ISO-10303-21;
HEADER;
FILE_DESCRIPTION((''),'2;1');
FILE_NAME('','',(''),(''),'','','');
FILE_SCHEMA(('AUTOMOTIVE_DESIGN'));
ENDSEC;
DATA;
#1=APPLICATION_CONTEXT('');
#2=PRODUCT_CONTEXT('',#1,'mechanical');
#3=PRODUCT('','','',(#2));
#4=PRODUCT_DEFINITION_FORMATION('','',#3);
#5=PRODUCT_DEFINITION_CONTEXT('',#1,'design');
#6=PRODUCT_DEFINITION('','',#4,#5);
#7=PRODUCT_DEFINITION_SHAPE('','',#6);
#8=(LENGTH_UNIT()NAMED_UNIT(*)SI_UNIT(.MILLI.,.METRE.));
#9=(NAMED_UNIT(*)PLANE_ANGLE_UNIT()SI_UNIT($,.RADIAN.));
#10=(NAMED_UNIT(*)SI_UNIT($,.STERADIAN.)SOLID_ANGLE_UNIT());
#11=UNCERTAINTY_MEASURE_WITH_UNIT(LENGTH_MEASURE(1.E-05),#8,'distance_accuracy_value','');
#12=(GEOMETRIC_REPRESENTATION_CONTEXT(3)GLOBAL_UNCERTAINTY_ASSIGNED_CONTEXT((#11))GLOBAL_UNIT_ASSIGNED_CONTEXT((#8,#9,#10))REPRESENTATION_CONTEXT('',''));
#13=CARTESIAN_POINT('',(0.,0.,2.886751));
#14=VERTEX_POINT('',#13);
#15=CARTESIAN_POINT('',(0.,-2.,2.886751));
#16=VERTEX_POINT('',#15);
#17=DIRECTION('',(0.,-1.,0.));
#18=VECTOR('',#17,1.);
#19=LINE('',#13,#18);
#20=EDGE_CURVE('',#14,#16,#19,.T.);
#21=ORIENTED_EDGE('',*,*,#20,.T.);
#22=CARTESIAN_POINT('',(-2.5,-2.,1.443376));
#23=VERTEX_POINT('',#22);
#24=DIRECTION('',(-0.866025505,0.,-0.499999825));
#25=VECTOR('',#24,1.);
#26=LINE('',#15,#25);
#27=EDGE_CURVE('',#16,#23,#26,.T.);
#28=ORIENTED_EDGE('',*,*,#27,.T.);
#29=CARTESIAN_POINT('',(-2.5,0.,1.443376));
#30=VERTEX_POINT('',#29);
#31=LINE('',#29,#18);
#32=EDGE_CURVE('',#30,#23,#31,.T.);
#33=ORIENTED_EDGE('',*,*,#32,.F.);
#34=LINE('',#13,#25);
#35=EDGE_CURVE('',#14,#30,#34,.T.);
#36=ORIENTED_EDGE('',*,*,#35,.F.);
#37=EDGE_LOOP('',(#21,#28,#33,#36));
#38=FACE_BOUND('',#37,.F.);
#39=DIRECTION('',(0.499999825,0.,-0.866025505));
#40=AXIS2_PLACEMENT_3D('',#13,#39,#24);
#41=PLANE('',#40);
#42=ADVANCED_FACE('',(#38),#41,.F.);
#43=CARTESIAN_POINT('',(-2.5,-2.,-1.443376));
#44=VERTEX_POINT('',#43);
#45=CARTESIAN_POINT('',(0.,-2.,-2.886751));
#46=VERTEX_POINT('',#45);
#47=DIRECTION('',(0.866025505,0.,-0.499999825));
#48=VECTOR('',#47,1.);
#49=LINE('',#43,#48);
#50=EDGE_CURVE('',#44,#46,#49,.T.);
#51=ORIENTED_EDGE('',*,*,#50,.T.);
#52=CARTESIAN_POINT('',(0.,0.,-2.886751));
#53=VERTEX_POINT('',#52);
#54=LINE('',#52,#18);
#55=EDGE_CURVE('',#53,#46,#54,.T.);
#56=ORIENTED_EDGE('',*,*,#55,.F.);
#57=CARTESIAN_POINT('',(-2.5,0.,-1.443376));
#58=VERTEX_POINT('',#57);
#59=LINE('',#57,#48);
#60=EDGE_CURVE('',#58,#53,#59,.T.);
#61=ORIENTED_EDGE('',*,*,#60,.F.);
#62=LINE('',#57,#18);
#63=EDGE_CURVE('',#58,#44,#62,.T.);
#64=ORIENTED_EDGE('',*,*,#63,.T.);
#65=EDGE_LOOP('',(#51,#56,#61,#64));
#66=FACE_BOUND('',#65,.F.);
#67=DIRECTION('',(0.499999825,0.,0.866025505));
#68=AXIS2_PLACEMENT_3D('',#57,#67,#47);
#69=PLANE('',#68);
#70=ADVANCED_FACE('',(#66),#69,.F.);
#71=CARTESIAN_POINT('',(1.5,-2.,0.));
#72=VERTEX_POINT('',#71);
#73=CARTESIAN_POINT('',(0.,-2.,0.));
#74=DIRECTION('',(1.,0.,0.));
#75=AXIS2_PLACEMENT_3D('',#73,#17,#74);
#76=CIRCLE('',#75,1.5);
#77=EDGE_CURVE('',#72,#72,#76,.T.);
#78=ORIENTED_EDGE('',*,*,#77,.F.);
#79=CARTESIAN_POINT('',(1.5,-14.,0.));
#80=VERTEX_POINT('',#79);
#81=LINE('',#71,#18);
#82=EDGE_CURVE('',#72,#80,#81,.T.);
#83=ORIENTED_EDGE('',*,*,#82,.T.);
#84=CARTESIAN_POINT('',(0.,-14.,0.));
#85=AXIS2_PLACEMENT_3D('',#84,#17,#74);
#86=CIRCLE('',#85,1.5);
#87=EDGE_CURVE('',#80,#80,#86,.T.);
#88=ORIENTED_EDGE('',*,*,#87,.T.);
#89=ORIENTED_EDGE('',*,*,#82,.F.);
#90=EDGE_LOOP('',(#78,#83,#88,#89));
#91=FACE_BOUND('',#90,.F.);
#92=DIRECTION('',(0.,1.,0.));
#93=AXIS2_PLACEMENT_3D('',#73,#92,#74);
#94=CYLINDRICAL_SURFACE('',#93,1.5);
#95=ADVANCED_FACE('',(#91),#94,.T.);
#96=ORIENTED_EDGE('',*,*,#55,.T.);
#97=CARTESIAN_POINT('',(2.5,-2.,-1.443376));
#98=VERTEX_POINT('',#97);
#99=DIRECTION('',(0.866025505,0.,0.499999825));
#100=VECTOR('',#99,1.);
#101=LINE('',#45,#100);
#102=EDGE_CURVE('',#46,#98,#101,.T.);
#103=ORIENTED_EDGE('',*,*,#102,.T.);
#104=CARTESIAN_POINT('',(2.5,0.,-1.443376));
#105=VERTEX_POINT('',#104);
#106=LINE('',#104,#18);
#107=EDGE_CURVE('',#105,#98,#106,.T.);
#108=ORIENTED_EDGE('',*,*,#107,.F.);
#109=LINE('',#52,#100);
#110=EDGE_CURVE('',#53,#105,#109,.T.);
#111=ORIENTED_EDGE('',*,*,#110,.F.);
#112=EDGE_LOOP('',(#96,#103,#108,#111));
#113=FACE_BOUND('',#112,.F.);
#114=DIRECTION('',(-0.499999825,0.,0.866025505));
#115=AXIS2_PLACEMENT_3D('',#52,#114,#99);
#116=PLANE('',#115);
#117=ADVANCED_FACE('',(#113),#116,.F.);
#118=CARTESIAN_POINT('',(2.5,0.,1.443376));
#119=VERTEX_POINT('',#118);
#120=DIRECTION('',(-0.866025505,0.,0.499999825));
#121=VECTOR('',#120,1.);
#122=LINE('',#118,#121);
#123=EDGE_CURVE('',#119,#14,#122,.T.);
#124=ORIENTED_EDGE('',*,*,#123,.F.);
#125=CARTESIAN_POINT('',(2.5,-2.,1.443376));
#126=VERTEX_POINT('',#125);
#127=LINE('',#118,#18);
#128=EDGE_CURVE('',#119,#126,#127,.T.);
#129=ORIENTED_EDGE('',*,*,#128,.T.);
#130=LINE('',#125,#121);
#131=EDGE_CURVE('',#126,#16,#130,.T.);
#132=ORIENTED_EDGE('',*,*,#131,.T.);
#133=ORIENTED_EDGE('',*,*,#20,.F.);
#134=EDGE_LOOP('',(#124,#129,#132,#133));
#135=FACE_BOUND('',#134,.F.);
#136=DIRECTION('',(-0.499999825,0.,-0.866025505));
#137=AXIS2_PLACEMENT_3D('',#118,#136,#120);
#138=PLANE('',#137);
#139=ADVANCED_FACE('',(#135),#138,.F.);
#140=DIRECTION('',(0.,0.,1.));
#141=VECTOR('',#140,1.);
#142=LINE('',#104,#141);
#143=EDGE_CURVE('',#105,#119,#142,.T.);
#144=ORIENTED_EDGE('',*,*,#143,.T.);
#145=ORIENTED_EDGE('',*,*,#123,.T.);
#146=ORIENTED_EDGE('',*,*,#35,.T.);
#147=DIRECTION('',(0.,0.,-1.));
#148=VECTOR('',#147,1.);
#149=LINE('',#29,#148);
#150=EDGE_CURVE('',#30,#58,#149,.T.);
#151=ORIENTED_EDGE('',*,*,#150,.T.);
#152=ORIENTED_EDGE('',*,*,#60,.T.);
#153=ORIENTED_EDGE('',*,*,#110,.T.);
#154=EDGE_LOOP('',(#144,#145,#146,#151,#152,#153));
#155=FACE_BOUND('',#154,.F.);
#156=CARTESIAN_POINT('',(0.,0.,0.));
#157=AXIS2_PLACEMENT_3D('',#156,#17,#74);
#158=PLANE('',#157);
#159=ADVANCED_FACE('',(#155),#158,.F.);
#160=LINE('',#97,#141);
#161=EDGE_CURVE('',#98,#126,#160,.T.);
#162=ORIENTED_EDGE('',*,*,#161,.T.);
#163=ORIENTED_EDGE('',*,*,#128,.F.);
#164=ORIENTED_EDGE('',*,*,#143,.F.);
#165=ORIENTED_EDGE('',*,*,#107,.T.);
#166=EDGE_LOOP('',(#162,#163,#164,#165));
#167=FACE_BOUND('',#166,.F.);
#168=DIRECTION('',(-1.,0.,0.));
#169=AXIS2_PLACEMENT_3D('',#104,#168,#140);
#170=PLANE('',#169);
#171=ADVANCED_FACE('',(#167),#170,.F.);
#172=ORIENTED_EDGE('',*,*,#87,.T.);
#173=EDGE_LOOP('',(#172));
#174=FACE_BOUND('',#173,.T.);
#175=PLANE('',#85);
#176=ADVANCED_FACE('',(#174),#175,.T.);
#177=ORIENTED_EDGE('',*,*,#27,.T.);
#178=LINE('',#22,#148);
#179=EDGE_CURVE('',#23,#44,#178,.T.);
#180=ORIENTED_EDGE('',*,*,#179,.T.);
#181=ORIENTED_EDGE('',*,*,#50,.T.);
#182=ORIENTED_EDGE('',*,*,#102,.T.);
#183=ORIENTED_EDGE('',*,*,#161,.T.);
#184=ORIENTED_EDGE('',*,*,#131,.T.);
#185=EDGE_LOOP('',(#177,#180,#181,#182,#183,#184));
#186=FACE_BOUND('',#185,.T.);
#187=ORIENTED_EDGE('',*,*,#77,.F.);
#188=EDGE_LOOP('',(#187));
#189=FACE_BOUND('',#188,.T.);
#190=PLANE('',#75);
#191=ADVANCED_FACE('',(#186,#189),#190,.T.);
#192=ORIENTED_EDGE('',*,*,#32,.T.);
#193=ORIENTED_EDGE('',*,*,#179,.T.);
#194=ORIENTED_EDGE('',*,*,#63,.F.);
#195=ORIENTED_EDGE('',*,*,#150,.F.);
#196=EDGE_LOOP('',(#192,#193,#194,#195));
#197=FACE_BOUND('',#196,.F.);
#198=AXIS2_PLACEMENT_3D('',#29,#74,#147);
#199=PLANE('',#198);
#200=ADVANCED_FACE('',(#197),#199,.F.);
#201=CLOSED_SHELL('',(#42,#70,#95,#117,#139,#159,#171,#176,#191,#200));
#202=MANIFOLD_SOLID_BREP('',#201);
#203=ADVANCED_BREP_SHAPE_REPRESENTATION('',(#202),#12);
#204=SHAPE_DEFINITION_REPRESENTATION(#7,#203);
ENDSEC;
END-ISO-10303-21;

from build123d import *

# Parameters (mm, degrees)
F0_R     = 1.5
F1_DEPTH = 2
F2_R     = 1.5
F3_DEPTH = 12


with BuildPart() as f1:
    # F0 (on Front) → F1 (new body)
    with BuildSketch(Plane.XZ):
        Polygon((-2.5, 1.443376), (-2.5, -1.443376), (0, -2.886751), (2.5, -1.443376), (2.5, 1.443376), (0, 2.886751), align=None)
        Circle(F0_R, mode=Mode.SUBTRACT)
        Circle(F0_R)
    extrude(amount=F1_DEPTH)

    # F2 (on face) → F3 (join)
    with BuildSketch(Plane.XZ.offset(2)):
        Circle(F2_R)
    extrude(amount=F3_DEPTH)


solid = f1.part
